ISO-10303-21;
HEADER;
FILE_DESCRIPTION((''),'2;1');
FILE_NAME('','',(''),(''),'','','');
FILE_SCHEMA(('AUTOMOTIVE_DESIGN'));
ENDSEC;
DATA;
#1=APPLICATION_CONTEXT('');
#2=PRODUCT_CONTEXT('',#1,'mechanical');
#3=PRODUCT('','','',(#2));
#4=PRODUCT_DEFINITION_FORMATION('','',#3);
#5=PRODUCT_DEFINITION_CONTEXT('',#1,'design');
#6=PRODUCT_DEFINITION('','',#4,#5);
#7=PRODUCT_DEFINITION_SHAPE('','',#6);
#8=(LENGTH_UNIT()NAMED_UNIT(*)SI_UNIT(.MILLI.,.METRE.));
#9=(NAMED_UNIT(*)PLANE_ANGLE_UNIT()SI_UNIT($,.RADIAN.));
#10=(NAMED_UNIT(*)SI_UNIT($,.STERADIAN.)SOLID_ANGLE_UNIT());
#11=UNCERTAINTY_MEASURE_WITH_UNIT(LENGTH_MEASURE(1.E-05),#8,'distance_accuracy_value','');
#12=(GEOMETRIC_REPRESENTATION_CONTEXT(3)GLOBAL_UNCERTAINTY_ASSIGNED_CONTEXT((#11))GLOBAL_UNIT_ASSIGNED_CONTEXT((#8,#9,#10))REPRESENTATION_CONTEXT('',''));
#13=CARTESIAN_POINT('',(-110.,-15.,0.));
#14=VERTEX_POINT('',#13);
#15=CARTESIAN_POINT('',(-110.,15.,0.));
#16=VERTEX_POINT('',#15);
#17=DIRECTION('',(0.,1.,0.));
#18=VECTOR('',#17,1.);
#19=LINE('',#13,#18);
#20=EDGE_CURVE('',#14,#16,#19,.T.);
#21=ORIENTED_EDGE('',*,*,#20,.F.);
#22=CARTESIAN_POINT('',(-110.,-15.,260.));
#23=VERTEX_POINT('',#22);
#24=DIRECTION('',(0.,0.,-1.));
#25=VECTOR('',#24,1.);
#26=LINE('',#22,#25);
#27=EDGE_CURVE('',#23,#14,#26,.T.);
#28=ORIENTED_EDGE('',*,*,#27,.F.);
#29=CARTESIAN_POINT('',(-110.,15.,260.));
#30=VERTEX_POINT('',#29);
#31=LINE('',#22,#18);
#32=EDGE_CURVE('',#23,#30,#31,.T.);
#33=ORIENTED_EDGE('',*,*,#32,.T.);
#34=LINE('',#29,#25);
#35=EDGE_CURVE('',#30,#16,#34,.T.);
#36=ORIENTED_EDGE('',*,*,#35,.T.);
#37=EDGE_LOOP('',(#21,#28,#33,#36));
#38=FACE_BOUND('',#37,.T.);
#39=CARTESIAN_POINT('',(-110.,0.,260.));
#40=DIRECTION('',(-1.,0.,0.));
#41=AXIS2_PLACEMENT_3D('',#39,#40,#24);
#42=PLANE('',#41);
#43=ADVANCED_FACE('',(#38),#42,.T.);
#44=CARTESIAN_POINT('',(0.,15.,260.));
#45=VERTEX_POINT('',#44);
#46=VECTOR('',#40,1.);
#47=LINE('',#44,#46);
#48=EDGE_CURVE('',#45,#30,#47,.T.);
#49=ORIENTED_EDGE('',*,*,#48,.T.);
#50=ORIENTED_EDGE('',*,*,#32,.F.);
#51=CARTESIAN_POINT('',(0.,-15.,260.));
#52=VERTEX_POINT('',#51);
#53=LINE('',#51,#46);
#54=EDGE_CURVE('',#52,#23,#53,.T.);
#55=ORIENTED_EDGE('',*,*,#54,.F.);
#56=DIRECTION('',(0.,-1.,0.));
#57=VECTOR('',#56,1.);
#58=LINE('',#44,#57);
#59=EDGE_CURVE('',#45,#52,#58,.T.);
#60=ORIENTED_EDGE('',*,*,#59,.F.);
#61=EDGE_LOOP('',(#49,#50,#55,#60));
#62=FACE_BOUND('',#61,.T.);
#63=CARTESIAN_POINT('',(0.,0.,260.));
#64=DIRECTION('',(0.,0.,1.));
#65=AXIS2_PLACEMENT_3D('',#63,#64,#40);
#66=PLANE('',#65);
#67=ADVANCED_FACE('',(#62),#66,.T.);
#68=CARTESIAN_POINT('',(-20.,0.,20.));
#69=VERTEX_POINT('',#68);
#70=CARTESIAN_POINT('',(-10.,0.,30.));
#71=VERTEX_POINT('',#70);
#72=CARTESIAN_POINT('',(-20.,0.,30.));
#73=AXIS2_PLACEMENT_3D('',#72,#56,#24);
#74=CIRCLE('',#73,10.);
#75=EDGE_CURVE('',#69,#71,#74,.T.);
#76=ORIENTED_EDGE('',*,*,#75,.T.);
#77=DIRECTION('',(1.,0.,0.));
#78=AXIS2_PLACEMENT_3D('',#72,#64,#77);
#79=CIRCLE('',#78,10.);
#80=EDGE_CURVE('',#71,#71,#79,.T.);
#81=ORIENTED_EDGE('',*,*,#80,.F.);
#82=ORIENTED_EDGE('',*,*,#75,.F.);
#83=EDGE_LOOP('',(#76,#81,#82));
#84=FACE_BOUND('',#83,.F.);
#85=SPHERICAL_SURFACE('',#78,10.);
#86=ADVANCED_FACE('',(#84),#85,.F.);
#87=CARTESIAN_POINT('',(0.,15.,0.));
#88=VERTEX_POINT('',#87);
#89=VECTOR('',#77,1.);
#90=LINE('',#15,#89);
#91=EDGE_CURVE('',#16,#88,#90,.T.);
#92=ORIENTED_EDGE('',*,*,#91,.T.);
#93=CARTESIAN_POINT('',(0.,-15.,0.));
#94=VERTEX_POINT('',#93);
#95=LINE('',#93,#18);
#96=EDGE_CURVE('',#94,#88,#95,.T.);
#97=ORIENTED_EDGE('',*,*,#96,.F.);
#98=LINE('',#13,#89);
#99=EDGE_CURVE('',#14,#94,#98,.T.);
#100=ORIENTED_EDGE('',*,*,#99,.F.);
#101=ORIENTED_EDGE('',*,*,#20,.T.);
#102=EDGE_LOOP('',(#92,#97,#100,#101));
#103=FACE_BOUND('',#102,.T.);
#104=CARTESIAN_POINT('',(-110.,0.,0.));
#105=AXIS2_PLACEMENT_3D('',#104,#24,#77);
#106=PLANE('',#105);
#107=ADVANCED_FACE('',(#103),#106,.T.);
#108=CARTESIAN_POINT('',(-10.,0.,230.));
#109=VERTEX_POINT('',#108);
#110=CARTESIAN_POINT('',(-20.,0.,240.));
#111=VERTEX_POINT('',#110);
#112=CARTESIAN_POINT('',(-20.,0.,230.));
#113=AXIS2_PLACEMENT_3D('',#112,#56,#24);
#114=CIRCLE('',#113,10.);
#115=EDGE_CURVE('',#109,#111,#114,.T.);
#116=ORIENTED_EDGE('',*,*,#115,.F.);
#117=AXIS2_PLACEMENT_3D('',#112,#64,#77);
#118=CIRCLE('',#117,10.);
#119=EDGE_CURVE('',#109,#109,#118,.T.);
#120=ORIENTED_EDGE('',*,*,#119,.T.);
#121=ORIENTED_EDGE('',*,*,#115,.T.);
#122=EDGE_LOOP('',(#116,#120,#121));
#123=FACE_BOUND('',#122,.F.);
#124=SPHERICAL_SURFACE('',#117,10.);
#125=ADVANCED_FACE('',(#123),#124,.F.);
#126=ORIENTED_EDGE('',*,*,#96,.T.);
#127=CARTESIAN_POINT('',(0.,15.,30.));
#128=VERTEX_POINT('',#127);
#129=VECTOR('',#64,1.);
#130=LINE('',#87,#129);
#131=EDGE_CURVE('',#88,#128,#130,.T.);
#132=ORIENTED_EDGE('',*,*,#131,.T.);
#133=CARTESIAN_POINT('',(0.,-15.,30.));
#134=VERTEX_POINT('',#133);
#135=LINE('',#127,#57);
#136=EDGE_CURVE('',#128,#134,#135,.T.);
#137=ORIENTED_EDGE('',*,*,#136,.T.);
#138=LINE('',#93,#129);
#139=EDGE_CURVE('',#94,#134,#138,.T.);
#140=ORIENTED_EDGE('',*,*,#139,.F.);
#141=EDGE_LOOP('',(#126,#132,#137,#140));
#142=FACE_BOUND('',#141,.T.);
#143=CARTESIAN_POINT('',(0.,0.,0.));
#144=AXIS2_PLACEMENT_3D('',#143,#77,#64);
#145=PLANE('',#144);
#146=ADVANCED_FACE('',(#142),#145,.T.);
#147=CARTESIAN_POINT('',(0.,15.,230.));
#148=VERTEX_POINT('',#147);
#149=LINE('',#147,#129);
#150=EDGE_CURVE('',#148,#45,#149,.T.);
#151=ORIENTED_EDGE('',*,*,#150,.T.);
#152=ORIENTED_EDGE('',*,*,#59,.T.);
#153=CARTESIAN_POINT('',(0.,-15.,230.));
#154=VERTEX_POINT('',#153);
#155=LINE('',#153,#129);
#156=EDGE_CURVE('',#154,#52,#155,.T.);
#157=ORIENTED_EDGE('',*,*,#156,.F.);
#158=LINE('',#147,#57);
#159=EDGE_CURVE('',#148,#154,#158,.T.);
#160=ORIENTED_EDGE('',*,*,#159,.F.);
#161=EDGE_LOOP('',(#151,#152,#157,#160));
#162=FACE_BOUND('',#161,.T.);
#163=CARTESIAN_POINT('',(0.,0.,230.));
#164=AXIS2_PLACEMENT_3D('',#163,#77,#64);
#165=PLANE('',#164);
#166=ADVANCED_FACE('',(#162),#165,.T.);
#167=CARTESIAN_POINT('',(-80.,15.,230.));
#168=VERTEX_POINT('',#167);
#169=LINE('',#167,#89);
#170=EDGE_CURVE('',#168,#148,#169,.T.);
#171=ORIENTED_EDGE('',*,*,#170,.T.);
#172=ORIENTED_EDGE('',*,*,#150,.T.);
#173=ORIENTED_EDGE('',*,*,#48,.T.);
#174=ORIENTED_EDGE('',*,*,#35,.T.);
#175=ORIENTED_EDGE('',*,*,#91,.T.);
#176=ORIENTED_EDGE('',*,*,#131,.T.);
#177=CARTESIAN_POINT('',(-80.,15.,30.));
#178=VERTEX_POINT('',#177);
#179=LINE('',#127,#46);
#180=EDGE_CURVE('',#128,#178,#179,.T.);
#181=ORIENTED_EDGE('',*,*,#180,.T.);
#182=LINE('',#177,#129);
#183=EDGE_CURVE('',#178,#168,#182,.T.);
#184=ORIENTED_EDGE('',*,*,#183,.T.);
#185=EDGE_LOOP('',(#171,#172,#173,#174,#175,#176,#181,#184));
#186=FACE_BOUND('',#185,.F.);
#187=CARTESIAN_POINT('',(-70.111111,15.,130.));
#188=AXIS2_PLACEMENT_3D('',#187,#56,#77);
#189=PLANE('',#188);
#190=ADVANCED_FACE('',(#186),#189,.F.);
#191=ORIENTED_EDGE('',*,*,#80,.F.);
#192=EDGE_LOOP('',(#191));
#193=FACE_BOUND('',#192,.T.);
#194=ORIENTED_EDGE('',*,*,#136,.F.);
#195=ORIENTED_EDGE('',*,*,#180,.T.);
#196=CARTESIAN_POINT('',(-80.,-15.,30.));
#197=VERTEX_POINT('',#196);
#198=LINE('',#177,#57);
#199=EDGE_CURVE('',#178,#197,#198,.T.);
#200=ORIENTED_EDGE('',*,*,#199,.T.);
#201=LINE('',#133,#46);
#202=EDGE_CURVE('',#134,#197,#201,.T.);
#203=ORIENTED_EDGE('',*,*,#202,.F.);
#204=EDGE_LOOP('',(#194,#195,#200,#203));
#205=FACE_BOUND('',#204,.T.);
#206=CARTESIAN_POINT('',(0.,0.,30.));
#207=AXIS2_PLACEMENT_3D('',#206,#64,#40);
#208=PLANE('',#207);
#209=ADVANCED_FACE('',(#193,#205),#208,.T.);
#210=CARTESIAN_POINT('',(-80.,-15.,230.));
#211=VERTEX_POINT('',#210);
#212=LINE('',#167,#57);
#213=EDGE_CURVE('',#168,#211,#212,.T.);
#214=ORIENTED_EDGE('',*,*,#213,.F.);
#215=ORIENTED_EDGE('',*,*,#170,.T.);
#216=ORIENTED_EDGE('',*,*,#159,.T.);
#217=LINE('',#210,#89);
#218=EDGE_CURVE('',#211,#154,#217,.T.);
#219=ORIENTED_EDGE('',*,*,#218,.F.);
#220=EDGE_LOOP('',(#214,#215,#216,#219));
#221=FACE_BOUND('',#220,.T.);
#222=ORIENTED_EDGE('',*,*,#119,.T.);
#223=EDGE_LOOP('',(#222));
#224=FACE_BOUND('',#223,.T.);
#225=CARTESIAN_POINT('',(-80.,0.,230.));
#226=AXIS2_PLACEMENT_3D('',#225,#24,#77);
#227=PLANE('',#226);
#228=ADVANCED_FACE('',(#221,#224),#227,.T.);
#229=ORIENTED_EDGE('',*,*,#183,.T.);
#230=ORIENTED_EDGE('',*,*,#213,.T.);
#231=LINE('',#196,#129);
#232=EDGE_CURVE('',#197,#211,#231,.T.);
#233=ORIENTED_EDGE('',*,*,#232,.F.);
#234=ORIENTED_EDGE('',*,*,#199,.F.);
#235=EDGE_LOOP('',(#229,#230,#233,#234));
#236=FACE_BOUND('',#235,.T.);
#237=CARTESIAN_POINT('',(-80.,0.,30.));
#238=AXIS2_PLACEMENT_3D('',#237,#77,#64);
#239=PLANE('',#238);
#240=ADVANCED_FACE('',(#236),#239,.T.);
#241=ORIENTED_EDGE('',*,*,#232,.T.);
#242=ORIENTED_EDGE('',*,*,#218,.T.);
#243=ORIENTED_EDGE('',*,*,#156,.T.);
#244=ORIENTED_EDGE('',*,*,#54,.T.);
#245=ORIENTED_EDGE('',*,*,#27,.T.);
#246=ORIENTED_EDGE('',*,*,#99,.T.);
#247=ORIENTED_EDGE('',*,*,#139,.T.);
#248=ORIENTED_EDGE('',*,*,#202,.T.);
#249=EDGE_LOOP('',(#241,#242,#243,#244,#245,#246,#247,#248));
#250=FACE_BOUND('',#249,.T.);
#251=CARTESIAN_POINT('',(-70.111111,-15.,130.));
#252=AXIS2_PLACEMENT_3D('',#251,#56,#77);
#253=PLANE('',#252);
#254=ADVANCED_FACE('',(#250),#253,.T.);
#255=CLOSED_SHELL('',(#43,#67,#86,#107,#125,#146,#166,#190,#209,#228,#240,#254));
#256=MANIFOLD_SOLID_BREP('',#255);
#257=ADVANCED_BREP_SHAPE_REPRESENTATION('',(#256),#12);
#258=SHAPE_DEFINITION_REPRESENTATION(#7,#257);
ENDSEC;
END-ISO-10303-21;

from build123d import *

# Parameters (mm, degrees)
F1_DEPTH = 15


with BuildPart() as f1:
    # F0 (on Front) → F1 (new body, symmetric)
    with BuildSketch(Plane.XZ):
        Polygon((0, 0), (0, 30), (-80, 30), (-80, 230), (0, 230), (0, 260), (-110, 260), (-110, 0), align=None)
    extrude(amount=F1_DEPTH, both=True)

    # F2 (on Front) → F3 (revolve, cut)
    with BuildSketch(Plane.XZ):
        with BuildLine():
            Line((-20, 40), (-20, 20))
            ThreePointArc((-20, 20), (-10, 30), (-20, 40))
        make_face()
        with BuildLine():
            Line((-20, 240), (-20, 220))
            ThreePointArc((-20, 220), (-10, 230), (-20, 240))
        make_face()
    revolve(axis=Axis((-20, 0, 130), (0, 0, 1)), mode=Mode.SUBTRACT)


solid = f1.part
